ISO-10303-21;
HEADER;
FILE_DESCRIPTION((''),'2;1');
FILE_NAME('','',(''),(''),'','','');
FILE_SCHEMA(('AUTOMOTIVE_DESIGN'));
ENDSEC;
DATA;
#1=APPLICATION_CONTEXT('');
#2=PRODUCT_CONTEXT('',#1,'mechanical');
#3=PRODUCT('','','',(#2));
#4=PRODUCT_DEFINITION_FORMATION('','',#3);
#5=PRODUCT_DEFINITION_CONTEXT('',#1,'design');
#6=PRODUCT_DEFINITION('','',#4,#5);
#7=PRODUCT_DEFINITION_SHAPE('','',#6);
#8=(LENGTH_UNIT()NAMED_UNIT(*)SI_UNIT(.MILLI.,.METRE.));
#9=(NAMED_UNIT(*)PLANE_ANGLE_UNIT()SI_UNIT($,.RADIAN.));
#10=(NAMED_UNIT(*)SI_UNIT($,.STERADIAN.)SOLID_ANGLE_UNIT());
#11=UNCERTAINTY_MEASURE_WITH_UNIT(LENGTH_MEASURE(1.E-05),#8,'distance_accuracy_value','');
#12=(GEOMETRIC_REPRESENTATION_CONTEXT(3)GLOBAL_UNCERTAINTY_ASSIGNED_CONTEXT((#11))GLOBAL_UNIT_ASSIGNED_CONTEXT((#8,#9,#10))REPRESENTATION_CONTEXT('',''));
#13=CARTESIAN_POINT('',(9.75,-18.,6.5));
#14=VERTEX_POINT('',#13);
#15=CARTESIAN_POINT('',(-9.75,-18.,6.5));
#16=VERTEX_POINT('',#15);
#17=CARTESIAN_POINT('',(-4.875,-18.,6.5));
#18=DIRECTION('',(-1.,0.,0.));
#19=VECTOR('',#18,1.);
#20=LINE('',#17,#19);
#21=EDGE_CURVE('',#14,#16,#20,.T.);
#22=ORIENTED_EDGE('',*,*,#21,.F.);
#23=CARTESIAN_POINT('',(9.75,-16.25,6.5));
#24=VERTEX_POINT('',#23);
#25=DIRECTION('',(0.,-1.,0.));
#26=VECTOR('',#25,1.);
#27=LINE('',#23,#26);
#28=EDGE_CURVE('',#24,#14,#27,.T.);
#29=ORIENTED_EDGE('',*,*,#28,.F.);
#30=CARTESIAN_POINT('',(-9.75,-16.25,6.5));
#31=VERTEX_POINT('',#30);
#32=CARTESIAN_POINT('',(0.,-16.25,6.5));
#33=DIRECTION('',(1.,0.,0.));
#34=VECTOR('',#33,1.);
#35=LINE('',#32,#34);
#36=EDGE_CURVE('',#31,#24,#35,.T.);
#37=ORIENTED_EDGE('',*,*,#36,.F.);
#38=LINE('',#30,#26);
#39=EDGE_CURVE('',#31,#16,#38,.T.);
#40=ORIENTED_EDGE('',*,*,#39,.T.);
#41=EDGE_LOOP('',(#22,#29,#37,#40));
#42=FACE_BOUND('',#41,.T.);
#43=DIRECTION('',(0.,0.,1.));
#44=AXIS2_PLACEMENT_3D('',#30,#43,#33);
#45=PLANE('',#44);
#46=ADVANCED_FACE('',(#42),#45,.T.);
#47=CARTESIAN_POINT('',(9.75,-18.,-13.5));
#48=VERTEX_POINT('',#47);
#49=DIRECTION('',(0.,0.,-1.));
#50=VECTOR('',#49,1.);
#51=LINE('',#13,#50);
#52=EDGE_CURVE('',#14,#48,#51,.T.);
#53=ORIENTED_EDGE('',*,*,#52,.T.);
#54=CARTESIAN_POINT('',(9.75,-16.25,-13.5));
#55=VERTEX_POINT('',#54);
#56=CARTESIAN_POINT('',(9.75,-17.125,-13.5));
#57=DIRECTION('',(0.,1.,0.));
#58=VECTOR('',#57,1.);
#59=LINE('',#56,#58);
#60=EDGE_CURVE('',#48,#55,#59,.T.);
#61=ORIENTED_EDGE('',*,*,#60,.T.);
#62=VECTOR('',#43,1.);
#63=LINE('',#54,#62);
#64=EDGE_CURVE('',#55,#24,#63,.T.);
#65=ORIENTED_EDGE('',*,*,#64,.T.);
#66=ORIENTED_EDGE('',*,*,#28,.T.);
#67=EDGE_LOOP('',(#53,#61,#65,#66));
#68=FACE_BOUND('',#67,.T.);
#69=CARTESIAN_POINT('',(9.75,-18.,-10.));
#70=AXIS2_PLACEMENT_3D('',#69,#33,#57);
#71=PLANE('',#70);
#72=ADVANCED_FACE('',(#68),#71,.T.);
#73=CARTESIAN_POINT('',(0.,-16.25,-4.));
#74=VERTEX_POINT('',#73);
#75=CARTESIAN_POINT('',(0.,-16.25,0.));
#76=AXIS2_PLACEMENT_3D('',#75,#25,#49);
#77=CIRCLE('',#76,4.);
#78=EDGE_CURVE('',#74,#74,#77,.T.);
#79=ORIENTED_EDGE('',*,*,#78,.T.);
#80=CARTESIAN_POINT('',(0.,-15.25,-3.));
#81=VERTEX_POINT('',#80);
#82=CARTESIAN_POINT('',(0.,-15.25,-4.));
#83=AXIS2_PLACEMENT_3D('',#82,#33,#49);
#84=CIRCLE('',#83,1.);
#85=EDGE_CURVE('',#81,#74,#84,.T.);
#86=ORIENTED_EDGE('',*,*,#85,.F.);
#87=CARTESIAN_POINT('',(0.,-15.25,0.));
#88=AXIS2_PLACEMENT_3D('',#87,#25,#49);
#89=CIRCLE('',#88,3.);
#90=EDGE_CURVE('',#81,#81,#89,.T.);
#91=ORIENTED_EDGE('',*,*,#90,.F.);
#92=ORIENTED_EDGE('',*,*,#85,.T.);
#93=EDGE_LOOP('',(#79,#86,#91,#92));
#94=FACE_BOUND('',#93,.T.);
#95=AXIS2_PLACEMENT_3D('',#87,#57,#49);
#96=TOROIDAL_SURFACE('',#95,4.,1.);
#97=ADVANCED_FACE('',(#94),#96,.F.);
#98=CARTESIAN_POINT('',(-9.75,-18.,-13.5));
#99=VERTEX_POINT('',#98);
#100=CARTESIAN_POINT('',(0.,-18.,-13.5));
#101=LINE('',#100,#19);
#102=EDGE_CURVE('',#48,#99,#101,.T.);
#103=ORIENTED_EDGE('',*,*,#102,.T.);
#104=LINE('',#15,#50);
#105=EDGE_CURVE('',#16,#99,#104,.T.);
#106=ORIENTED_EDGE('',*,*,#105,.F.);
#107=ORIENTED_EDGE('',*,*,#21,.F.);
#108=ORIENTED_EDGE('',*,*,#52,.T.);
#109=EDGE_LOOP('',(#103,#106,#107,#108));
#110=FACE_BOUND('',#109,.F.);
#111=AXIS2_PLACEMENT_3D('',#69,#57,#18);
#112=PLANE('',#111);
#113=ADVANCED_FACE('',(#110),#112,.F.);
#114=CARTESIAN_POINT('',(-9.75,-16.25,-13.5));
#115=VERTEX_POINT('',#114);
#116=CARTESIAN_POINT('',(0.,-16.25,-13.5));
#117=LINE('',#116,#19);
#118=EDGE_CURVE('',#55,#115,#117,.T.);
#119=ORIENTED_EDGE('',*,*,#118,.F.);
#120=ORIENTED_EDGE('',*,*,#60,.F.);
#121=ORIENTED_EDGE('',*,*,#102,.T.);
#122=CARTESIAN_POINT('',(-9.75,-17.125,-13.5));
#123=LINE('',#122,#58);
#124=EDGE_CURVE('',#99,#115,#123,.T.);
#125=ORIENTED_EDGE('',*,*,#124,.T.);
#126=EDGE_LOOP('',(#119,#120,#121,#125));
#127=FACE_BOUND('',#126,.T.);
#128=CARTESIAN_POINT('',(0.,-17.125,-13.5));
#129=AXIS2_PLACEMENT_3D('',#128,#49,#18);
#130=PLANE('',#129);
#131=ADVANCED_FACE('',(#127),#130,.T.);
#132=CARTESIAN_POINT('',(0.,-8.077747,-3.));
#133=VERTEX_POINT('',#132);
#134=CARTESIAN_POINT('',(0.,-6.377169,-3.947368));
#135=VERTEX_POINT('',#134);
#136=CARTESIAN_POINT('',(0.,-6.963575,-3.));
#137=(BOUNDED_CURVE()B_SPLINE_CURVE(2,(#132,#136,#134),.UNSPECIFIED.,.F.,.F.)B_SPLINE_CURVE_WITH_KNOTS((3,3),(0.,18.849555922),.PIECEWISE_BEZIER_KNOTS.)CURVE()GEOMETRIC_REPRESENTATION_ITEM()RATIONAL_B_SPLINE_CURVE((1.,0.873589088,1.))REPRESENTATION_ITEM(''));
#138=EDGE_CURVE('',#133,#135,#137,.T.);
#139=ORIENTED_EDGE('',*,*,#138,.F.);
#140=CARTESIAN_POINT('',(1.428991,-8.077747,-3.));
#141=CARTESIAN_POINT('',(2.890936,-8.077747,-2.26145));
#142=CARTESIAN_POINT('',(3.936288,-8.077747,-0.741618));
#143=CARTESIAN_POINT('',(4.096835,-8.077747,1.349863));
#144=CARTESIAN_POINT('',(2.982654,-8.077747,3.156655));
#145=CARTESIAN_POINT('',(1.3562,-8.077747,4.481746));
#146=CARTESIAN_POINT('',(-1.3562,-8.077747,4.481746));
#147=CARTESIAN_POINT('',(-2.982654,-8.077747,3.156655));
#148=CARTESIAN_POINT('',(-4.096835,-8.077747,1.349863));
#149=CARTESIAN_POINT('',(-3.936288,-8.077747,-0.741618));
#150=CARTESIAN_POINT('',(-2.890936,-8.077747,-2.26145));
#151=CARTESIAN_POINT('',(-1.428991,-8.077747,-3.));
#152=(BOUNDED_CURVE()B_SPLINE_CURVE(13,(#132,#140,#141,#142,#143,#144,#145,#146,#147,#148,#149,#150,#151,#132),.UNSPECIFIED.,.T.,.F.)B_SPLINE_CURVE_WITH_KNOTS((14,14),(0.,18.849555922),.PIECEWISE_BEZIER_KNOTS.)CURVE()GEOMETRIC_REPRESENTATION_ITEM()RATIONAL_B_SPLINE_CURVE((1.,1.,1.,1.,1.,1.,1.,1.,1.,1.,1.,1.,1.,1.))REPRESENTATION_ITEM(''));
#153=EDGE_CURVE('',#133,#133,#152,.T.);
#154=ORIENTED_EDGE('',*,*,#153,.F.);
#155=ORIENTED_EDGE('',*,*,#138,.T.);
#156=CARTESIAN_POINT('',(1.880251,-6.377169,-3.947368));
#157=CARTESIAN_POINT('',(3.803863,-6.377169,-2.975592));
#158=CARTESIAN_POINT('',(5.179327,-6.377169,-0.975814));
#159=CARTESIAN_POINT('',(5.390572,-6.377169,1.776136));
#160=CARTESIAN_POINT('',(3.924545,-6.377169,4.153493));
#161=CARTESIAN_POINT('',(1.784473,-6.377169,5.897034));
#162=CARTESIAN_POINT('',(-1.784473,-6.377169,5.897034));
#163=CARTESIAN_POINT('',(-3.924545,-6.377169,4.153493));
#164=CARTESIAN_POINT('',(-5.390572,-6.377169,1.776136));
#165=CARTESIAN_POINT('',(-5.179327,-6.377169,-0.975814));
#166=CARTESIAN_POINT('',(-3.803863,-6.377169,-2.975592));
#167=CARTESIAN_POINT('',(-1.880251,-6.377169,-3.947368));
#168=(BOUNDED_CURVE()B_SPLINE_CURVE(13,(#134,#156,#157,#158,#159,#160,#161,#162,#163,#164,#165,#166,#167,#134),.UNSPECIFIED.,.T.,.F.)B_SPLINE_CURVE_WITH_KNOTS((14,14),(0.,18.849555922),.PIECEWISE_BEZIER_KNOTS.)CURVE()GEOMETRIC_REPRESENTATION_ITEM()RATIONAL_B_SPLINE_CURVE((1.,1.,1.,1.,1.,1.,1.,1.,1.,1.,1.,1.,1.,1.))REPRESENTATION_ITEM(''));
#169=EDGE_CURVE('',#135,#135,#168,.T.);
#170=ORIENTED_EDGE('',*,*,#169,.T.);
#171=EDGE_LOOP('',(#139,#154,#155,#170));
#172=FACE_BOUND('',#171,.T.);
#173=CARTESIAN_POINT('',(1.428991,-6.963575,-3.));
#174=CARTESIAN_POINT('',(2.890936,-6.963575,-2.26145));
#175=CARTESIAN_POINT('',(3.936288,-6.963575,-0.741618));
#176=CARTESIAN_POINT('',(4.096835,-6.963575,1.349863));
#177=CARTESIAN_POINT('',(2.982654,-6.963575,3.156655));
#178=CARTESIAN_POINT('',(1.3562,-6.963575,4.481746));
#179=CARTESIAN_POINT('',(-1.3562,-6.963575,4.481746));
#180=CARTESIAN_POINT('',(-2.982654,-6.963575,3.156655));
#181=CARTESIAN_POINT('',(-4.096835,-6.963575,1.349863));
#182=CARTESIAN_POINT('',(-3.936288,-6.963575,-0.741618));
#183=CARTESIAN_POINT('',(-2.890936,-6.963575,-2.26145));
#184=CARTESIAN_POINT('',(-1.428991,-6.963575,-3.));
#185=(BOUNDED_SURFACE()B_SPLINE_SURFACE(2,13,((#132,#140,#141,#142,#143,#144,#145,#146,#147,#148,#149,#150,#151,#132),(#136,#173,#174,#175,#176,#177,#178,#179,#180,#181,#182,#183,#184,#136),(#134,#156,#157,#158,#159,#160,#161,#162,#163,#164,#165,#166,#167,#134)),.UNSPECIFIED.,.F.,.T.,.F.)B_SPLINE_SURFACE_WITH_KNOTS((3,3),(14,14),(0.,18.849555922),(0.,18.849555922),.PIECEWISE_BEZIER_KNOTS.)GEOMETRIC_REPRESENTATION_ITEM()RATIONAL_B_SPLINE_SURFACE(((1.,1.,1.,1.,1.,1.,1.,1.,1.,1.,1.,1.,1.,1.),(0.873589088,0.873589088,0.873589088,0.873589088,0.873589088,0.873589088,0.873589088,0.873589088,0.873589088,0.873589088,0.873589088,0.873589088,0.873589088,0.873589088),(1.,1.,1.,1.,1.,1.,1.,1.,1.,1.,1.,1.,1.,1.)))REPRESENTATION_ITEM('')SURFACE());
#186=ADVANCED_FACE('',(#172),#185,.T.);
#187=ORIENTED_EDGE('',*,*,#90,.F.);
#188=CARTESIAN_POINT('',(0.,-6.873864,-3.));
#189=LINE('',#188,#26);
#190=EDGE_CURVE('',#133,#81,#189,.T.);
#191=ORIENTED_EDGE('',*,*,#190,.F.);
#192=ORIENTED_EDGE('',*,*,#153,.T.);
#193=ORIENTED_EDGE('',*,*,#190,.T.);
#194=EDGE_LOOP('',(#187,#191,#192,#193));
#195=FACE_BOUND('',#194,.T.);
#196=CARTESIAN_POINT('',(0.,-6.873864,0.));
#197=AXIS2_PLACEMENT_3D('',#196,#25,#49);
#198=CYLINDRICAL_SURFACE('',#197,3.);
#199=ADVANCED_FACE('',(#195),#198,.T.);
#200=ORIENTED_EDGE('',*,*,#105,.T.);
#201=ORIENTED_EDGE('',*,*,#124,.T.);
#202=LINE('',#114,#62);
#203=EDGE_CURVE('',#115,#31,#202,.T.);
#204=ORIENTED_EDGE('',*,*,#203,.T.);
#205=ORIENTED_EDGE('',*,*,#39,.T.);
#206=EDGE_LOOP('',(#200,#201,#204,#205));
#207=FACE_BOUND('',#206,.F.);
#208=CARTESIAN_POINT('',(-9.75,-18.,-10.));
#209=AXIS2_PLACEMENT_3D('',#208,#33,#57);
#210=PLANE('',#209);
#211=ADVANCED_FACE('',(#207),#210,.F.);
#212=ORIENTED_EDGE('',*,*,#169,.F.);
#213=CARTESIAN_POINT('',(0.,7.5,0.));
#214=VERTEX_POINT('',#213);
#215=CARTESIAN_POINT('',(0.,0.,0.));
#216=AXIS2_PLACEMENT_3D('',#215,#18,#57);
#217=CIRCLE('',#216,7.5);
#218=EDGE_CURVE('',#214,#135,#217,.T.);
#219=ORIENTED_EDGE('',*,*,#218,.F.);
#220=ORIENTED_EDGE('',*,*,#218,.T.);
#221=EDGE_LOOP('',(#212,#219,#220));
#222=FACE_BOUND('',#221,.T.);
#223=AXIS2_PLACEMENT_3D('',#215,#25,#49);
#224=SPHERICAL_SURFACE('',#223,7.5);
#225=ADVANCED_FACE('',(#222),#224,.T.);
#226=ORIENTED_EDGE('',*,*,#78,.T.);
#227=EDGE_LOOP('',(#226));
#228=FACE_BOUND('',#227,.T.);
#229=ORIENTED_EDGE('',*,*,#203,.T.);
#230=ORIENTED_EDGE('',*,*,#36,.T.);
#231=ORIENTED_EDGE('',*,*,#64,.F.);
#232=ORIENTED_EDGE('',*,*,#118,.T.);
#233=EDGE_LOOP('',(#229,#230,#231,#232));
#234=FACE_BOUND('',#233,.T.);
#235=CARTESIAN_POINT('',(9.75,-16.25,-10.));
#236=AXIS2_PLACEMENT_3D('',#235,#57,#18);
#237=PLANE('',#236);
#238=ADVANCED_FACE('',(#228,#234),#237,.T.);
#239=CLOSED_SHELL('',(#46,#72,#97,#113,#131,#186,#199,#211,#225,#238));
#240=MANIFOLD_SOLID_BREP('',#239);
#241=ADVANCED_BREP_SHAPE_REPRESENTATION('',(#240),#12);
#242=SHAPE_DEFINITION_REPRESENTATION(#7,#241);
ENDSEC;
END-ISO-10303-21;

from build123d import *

# Parameters (mm, degrees)
SKETCH2_W           = 19.5
SKETCH2_H           = 20
BOSS_EXTRUDE1_DEPTH = 1.75
SKETCH3_W           = 19.5
SKETCH3_H           = 3.5
CUT_EXTRUDE1_DEPTH  = 2.75
SKETCH4_W           = 19.5
SKETCH4_H           = 1.75
BOSS_EXTRUDE2_DEPTH = 3.5
FILLET1_R           = 2
FILLET2_R           = 1


with BuildPart() as part:
    # Sketch1 → Revolve1 (revolve)
    with BuildSketch(Plane(origin=(0, 0, 0), x_dir=(0, 0, -1), z_dir=(1, 0, 0))):
        with BuildLine():
            Line((3, -6.873863542), (3, -16.25))
            Line((3, -16.25), (6, -16.25))
            Line((6, -16.25), (6, -18))
            Line((6, -18), (0, -18))
            Line((0, -18), (0, -7.5))
            Line((0, -7.5), (0, 7.5))
            ThreePointArc((0, 7.5), (7.341797347, 1.532322328), (3, -6.873863542))
        make_face()
    revolve(axis=Axis((0, 0, 0), (0, -1, 0)))

    # Sketch2 → Boss-Extrude1 (add)
    with BuildSketch(Plane.XZ.offset(18)):
        Rectangle(SKETCH2_W, SKETCH2_H)
    extrude(amount=-BOSS_EXTRUDE1_DEPTH)

    # Sketch3 → Cut-Extrude1 (cut, through all)
    with BuildSketch(Plane(origin=(0, -16.25, 0), x_dir=(1, 0, 0), z_dir=(0, 1, 0))):
        with Locations((0, -8.25)):
            Rectangle(SKETCH3_W, SKETCH3_H)
    extrude(amount=-CUT_EXTRUDE1_DEPTH, mode=Mode.SUBTRACT)

    # Sketch4 → Boss-Extrude2 (add)
    with BuildSketch(Plane(origin=(0, 0, -10), x_dir=(-1, 0, 0), z_dir=(0, 0, -1))):
        with Locations((0, -17.125)):
            Rectangle(SKETCH4_W, SKETCH4_H)
    extrude(amount=BOSS_EXTRUDE2_DEPTH)

    # Fillet1
    fillet1_edges = [part.edges().sort_by_distance(p)[0] for p in [
        (0, -6.873863542, 3),
    ]]
    fillet(fillet1_edges, radius=FILLET1_R)

    # Fillet2
    fillet2_edges = [part.edges().sort_by_distance(p)[0] for p in [
        (0, -16.25, 3),
    ]]
    fillet(fillet2_edges, radius=FILLET2_R)


solid = part.part
